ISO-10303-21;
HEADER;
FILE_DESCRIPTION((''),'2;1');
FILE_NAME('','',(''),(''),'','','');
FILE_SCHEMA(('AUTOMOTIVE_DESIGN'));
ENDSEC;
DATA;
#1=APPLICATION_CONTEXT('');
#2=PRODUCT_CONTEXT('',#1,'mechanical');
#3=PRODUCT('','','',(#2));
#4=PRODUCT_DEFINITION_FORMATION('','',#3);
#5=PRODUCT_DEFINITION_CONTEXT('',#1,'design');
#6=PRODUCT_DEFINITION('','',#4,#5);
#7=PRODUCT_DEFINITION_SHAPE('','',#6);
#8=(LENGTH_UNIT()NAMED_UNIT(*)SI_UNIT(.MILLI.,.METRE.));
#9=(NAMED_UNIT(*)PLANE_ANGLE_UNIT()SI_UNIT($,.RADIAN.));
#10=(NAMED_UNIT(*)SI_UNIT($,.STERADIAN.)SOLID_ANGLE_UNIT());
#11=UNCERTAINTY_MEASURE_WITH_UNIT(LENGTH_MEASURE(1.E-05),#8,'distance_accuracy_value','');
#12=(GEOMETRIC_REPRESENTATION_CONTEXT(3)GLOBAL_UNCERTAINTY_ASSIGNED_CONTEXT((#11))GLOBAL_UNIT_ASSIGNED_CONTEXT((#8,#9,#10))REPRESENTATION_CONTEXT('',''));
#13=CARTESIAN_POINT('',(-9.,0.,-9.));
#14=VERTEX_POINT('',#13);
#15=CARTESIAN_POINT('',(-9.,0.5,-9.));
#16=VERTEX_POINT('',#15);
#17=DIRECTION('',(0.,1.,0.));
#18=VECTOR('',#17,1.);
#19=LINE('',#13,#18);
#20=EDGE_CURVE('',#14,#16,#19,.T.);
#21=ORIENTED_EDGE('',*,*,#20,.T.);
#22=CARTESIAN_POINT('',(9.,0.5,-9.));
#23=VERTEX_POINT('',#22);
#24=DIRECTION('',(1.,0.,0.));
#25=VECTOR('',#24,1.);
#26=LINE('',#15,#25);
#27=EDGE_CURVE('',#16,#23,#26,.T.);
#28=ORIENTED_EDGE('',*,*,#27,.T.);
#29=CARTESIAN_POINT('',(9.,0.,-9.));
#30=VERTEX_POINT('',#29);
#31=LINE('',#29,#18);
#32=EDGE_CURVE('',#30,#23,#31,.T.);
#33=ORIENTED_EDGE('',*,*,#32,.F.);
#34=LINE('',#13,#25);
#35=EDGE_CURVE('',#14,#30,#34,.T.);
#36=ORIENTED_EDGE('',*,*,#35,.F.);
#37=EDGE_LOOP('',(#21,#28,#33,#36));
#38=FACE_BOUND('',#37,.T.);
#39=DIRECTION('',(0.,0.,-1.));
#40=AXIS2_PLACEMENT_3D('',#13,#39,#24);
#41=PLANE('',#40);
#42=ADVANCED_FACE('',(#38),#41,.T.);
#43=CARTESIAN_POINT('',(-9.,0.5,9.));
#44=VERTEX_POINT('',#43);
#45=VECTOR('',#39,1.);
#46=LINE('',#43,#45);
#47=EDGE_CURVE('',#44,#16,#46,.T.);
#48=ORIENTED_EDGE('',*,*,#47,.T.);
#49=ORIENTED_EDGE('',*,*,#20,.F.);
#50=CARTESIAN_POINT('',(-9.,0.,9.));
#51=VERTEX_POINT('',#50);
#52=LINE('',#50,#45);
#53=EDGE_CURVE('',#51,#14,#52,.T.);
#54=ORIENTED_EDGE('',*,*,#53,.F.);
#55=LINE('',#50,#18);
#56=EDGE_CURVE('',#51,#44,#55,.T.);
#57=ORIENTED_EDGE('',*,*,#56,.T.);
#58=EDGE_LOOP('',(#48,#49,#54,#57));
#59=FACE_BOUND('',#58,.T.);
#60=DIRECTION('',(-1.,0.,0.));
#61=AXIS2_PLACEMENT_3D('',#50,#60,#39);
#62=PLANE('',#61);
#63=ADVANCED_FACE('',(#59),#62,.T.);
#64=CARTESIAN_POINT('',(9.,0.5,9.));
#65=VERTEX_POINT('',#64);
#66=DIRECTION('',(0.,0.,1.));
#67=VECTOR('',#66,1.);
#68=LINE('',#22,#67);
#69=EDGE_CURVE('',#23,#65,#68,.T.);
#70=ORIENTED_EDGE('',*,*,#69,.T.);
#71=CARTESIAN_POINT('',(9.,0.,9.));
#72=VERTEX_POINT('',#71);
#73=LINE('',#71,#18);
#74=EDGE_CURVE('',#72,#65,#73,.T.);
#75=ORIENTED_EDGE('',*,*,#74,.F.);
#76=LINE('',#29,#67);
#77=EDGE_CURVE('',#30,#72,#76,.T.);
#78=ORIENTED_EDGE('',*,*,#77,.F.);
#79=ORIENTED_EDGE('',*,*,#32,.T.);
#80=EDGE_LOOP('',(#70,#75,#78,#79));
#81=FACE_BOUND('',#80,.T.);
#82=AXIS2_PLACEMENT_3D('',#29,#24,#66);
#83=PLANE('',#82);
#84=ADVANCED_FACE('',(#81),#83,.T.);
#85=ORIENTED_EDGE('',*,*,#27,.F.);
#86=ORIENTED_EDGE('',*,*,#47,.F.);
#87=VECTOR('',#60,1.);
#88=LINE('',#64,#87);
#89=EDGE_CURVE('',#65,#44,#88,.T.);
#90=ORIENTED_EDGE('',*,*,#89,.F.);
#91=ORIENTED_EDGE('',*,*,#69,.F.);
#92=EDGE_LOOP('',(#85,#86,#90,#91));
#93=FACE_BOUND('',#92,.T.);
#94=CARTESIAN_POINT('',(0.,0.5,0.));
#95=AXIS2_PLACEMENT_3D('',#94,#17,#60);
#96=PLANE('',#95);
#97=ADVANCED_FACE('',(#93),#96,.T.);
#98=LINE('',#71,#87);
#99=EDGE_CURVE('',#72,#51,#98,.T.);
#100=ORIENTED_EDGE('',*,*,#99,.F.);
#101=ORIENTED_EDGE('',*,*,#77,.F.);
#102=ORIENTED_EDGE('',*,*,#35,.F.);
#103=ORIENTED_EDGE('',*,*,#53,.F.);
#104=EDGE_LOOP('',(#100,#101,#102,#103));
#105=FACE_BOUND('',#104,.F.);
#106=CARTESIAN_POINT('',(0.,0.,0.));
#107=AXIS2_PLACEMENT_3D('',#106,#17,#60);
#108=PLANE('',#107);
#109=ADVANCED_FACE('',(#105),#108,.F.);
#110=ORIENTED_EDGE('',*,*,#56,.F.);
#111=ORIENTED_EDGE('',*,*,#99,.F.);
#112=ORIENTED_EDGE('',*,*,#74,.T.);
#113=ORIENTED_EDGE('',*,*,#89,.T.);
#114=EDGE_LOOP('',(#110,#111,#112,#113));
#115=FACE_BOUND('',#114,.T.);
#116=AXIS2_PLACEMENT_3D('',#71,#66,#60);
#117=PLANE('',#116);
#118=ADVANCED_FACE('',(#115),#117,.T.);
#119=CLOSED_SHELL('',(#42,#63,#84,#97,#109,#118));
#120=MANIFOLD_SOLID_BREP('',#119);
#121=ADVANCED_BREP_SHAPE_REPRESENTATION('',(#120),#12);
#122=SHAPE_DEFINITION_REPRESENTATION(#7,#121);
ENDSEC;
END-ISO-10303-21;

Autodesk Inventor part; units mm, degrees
ref_plane "YZ Plane" through (0, 0, 0) normal (1, 0, 0) x (0, 1, 0)
ref_plane "XZ Plane" through (0, 0, 0) normal (0, 1, 0) x (-1, 0, 0)
ref_plane "XY Plane" through (0, 0, 0) normal (0, 0, 1) x (1, 0, 0)
sketch "スケッチ1" plane through (0, 0, 0) normal (0, 1, 0) x (-1, 0, 0)
  line L0 (-9, 9) -> (9, 9)
  line L1 (9, 9) -> (9, -9)
  line L2 (9, -9) -> (-9, -9)
  line L3 (-9, -9) -> (-9, 9)
  line L4 (0, 0) -> (14.9737, 0) construction
  line L5 (0, 0) -> (0, -17.627) construction
  dimension "d0" = 18
  dimension "d1" = 18
extrude "押し出し1" add sketch "スケッチ1" along normal blind 0.5
properties part number "substrate_1" material "ニッケル銅合金 400"
